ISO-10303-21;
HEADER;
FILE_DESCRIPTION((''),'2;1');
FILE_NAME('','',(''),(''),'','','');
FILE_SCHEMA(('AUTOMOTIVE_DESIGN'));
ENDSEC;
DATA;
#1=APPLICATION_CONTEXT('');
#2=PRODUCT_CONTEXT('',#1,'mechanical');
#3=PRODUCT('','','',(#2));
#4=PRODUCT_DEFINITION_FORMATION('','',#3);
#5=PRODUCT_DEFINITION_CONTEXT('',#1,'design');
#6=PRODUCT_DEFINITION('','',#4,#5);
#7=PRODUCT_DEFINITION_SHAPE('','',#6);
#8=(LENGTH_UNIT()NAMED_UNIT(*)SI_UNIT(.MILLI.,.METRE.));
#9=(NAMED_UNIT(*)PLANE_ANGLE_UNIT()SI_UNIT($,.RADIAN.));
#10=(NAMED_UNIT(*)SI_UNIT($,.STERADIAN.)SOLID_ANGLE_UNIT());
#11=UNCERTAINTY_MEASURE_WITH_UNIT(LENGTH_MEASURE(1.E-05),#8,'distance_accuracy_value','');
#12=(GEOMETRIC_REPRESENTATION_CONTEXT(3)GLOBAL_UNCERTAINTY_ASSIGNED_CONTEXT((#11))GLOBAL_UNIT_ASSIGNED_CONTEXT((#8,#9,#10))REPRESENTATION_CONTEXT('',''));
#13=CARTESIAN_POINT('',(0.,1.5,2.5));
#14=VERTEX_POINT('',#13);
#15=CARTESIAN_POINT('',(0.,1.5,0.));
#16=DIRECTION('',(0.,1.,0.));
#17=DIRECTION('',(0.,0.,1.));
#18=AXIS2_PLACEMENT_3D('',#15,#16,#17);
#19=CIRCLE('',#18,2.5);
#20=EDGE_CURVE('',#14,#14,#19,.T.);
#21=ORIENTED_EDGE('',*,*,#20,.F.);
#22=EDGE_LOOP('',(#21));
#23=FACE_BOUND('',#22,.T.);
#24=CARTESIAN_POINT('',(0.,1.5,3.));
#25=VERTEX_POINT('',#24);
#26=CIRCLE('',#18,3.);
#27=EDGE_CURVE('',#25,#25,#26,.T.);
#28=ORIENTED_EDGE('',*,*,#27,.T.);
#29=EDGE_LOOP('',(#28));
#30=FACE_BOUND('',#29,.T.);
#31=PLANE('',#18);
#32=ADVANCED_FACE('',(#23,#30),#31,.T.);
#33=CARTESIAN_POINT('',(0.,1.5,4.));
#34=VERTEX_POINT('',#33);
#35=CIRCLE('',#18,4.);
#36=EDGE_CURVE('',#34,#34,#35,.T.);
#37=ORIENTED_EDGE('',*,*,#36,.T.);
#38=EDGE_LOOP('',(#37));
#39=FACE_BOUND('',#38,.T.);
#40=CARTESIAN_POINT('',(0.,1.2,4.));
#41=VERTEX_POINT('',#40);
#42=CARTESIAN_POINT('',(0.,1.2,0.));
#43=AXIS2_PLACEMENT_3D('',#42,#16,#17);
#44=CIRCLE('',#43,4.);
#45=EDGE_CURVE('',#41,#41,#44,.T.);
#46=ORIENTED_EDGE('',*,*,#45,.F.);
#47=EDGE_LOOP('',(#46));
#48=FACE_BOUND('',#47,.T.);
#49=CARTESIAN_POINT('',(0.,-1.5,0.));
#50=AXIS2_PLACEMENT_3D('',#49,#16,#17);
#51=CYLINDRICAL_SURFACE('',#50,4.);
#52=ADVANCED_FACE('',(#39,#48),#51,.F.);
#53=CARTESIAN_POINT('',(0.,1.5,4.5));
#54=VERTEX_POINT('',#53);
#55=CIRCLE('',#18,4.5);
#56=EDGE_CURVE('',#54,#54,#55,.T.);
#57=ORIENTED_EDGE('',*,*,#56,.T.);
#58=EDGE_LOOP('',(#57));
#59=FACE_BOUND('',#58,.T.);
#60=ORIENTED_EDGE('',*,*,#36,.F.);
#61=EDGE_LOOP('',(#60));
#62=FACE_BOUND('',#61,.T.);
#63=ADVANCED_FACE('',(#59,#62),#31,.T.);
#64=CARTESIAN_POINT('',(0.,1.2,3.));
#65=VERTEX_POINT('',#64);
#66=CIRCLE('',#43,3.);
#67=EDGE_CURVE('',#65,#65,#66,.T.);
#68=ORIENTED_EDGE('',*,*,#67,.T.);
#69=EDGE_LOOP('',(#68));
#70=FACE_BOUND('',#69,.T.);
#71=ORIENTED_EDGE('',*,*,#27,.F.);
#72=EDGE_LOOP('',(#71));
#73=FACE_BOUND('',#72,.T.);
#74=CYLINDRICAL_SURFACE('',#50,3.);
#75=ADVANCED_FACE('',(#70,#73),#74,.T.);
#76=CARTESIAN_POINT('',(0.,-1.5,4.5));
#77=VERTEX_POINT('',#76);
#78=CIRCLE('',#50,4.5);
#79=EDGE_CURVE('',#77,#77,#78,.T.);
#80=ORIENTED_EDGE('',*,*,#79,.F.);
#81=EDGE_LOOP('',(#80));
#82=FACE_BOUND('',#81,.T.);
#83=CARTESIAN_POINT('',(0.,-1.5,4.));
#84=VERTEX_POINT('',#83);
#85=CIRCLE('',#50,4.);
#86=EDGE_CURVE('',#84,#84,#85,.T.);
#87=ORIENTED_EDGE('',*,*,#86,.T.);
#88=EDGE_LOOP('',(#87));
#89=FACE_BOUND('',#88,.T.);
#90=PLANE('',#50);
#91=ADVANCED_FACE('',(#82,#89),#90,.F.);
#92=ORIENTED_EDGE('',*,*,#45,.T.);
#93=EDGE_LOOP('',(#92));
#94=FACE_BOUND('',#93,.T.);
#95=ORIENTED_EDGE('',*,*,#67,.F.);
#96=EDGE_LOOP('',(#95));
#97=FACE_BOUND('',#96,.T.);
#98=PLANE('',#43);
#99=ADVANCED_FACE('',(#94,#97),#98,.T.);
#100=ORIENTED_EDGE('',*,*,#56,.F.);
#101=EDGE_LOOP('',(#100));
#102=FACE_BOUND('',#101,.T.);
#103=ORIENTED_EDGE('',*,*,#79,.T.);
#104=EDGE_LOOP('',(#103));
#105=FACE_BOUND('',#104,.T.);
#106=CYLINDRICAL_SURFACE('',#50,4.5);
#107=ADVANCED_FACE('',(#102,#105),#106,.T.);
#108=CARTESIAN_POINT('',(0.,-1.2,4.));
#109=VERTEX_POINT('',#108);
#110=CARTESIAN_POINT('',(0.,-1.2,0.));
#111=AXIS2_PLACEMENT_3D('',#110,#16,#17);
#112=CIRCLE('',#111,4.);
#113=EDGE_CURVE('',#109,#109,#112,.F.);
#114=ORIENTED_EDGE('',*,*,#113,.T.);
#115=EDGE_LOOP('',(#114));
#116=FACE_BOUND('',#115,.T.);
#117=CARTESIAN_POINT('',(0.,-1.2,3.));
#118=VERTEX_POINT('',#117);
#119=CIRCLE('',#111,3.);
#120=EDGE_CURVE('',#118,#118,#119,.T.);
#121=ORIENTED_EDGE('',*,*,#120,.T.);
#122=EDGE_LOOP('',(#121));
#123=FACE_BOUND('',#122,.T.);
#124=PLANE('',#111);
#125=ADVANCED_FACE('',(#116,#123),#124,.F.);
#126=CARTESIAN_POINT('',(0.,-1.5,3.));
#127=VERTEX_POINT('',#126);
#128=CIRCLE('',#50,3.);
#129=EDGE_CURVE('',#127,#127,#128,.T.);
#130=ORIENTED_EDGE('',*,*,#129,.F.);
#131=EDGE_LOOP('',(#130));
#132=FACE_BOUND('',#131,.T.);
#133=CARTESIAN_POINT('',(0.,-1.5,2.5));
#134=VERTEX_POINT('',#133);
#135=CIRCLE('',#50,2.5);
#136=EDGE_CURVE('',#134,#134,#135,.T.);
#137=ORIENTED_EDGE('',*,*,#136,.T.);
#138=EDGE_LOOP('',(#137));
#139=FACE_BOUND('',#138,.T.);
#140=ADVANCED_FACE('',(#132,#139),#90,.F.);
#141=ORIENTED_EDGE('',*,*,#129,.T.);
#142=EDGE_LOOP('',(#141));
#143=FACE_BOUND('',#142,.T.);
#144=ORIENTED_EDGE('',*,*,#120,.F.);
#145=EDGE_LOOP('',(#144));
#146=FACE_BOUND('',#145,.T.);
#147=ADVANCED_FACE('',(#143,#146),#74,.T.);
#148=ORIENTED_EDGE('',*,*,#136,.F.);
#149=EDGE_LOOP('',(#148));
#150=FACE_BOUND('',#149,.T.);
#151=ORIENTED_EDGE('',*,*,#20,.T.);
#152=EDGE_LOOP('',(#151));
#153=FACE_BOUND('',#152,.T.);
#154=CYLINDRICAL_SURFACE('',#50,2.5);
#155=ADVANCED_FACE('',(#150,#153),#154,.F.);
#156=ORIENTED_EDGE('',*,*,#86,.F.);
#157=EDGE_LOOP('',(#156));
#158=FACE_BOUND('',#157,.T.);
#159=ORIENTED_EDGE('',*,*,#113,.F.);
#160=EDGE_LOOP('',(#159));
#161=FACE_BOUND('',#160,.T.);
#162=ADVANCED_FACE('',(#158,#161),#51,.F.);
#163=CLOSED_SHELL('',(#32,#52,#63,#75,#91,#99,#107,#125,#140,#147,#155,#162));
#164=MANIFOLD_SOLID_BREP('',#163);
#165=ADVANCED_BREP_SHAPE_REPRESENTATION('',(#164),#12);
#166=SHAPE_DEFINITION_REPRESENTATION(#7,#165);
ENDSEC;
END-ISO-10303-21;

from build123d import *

# Parameters (mm, degrees)
EXTRUDE_1_DEPTH        = 1.5
EXTRUDE_1_DEPTH_BACK   = 1.5
SKETCH_1_R             = 3
SKETCH_1_R_2           = 2.5
EXTRUDE_1_2_DEPTH      = 1.5
EXTRUDE_1_2_DEPTH_BACK = 1.5
SKETCH_1_R_3           = 4.5
SKETCH_1_R_4           = 4
EXTRUDE_2_DEPTH        = 1.2
EXTRUDE_2_DEPTH_BACK   = 1.2
SKETCH_2_R             = 4
SKETCH_2_R_2           = 3


with BuildPart() as part:
    # 草图1 → 凸台-拉伸1 (new, two sides: drawn at the far end of the back side and taken through both)
    with BuildSketch(Plane(origin=(0, 0, 0), x_dir=(1, 0, 0), z_dir=(0, 1, 0)).offset(-EXTRUDE_1_DEPTH_BACK)):
        Circle(SKETCH_1_R)
        Circle(SKETCH_1_R_2, mode=Mode.SUBTRACT)
    extrude(amount=EXTRUDE_1_DEPTH + EXTRUDE_1_DEPTH_BACK)



with BuildPart() as body_2:
    # 草图1 → Extrude 1 2 (new, two sides: drawn at the far end of the back side and taken through both)
    with BuildSketch(Plane(origin=(0, 0, 0), x_dir=(1, 0, 0), z_dir=(0, 1, 0)).offset(-EXTRUDE_1_2_DEPTH_BACK)):
        Circle(SKETCH_1_R_3)
        Circle(SKETCH_1_R_4, mode=Mode.SUBTRACT)
    extrude(amount=EXTRUDE_1_2_DEPTH + EXTRUDE_1_2_DEPTH_BACK)


with BuildPart() as part_1:
    add(part.part)

    add(body_2.part)  # 凸台-拉伸2 merges body 2
    # 草图2 → 凸台-拉伸2 (add, two sides: drawn at the far end of the back side and taken through both)
    with BuildSketch(Plane(origin=(0, 0, 0), x_dir=(1, 0, 0), z_dir=(0, 1, 0)).offset(-EXTRUDE_2_DEPTH_BACK)):
        Circle(SKETCH_2_R)
        Circle(SKETCH_2_R_2, mode=Mode.SUBTRACT)
    extrude(amount=EXTRUDE_2_DEPTH + EXTRUDE_2_DEPTH_BACK)


solid = part_1.part
